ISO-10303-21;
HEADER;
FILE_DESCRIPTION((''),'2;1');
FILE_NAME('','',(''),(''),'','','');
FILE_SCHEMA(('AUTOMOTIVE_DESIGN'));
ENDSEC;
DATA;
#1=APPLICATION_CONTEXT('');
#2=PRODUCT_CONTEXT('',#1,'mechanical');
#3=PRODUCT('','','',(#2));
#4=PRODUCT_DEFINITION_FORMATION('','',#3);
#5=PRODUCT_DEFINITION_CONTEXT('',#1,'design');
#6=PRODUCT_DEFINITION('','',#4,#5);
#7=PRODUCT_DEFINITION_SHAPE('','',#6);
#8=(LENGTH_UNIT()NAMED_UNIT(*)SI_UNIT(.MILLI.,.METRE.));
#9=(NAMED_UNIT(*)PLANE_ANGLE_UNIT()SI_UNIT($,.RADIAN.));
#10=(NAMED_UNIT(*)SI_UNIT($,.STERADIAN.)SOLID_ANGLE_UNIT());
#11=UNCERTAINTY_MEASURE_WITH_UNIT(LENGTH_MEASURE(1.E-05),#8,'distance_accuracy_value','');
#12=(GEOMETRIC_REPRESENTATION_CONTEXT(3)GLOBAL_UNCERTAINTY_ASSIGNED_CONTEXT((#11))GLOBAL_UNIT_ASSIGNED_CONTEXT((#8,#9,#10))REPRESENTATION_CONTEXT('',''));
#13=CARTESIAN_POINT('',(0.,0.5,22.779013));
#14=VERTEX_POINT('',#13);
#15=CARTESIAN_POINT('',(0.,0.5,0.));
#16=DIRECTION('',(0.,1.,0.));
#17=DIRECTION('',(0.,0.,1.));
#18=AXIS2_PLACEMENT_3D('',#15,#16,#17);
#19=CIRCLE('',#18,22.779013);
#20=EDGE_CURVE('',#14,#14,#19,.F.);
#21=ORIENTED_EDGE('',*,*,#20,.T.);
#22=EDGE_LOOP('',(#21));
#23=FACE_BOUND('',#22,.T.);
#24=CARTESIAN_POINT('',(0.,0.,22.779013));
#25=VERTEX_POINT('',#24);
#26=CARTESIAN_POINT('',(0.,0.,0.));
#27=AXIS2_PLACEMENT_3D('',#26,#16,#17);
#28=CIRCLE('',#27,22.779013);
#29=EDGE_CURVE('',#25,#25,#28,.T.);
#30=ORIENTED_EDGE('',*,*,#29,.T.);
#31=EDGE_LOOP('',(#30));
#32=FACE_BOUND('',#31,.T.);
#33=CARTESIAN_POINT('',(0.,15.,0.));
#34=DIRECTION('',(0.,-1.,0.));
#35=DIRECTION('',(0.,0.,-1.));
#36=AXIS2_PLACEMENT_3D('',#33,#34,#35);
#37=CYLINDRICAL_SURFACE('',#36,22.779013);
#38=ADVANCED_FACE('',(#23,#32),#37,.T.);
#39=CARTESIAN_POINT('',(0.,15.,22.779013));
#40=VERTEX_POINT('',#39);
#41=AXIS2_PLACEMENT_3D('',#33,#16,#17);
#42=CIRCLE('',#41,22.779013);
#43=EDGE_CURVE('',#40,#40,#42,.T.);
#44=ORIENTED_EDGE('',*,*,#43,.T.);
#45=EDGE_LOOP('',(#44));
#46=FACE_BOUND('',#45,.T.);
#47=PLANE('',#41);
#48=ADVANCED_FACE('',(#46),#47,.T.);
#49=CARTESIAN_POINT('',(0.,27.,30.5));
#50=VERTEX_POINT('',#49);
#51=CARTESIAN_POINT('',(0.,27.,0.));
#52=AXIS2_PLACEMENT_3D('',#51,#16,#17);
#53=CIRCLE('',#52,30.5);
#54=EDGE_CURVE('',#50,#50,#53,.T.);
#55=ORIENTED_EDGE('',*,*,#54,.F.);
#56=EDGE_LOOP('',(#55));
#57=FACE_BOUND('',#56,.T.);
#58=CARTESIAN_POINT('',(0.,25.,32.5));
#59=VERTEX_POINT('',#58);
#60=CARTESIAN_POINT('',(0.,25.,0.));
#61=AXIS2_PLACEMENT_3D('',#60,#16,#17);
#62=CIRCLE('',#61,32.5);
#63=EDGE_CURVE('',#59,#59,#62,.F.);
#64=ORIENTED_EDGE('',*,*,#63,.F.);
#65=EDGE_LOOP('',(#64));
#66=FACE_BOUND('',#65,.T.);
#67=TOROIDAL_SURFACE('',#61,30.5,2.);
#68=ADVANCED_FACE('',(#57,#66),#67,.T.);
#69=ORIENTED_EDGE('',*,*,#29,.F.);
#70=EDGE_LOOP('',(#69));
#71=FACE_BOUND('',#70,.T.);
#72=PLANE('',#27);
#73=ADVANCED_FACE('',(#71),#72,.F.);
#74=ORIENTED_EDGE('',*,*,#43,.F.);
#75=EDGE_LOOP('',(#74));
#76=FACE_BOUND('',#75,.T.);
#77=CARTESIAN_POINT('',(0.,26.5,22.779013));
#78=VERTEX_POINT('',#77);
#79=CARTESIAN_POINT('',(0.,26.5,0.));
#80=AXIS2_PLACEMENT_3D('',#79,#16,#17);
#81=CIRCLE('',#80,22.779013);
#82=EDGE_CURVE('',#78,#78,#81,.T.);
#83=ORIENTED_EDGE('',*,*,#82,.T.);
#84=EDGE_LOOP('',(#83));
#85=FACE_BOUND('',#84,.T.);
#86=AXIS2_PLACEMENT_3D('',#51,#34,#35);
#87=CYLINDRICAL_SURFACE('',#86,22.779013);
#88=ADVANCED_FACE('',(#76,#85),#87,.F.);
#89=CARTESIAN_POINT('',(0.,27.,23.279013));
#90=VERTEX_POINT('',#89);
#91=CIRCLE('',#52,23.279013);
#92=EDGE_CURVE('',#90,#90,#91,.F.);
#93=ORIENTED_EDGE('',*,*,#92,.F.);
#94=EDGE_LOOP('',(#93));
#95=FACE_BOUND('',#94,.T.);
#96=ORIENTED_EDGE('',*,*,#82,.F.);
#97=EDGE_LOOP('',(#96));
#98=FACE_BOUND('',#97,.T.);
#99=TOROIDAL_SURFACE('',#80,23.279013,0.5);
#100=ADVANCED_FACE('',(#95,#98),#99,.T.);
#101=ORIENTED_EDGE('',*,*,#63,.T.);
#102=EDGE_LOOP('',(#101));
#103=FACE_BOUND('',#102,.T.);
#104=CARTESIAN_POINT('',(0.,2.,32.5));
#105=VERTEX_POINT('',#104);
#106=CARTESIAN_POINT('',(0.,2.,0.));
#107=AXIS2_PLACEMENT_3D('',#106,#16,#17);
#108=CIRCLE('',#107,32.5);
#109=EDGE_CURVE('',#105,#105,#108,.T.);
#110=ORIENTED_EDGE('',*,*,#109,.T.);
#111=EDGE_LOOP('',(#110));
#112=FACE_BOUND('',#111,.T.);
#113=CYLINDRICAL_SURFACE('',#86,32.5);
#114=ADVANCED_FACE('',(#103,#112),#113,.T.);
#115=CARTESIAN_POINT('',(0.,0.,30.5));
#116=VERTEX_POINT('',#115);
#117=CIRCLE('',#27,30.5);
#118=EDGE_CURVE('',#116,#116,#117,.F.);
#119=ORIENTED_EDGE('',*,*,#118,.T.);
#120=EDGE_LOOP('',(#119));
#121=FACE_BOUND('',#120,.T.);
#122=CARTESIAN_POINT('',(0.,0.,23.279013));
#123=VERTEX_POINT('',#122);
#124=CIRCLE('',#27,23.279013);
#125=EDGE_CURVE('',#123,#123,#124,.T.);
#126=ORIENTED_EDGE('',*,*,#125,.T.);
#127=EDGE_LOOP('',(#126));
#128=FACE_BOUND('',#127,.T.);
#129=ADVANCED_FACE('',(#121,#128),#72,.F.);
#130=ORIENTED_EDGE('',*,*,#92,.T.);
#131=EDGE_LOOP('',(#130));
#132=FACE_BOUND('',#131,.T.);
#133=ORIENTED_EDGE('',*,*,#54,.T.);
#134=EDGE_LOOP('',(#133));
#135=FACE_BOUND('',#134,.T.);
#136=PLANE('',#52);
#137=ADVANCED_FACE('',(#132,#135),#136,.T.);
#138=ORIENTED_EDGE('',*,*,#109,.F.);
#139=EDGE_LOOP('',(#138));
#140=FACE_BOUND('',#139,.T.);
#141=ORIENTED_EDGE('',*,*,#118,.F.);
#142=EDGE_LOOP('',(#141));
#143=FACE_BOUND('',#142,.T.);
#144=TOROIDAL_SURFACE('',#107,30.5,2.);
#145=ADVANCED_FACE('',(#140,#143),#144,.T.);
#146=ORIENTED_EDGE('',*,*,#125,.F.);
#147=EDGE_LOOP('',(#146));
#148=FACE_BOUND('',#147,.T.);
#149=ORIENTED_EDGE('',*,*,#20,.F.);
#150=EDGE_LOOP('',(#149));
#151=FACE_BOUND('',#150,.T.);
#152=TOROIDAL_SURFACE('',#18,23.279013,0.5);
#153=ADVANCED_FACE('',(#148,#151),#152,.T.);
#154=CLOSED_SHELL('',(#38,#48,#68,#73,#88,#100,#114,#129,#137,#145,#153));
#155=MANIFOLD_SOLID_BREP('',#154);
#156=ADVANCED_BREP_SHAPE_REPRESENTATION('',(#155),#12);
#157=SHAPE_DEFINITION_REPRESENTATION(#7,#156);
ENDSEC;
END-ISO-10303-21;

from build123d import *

# Parameters (mm, degrees)
SKETCH_1_R      = 32.5
SKETCH_1_R_2    = 22.779013497
EXTRUDE_1_DEPTH = 27
FILLET_1_R      = 2
FILLET_2_R      = 0.5
SKETCH_1_3_R    = 22.779013497
EXTRUDE_2_DEPTH = 15


with BuildPart() as part:
    # 草图1 → 凸台-拉伸1 (new body)
    with BuildSketch(Plane(origin=(0, 0, 0), x_dir=(1, 0, 0), z_dir=(0, 1, 0))):
        Circle(SKETCH_1_R)
        Circle(SKETCH_1_R_2, mode=Mode.SUBTRACT)
    extrude(amount=EXTRUDE_1_DEPTH)

    # 圆角1
    fillet_1_edges = [part.edges().sort_by_distance(p)[0] for p in [
        (-32.5, 27, 0),
        (-32.5, 0, 0),
    ]]
    fillet(fillet_1_edges, radius=FILLET_1_R)

    # 圆角2
    fillet_2_edges = [part.edges().sort_by_distance(p)[0] for p in [
        (-22.779013497, 27, 0),
        (-22.779013497, 0, 0),
    ]]
    fillet(fillet_2_edges, radius=FILLET_2_R)

    # 草图1<3> → 凸台-拉伸2 (add)
    with BuildSketch(Plane(origin=(0, 0, 0), x_dir=(1, 0, 0), z_dir=(0, 1, 0))):
        Circle(SKETCH_1_3_R)
    extrude(amount=EXTRUDE_2_DEPTH)


solid = part.part
